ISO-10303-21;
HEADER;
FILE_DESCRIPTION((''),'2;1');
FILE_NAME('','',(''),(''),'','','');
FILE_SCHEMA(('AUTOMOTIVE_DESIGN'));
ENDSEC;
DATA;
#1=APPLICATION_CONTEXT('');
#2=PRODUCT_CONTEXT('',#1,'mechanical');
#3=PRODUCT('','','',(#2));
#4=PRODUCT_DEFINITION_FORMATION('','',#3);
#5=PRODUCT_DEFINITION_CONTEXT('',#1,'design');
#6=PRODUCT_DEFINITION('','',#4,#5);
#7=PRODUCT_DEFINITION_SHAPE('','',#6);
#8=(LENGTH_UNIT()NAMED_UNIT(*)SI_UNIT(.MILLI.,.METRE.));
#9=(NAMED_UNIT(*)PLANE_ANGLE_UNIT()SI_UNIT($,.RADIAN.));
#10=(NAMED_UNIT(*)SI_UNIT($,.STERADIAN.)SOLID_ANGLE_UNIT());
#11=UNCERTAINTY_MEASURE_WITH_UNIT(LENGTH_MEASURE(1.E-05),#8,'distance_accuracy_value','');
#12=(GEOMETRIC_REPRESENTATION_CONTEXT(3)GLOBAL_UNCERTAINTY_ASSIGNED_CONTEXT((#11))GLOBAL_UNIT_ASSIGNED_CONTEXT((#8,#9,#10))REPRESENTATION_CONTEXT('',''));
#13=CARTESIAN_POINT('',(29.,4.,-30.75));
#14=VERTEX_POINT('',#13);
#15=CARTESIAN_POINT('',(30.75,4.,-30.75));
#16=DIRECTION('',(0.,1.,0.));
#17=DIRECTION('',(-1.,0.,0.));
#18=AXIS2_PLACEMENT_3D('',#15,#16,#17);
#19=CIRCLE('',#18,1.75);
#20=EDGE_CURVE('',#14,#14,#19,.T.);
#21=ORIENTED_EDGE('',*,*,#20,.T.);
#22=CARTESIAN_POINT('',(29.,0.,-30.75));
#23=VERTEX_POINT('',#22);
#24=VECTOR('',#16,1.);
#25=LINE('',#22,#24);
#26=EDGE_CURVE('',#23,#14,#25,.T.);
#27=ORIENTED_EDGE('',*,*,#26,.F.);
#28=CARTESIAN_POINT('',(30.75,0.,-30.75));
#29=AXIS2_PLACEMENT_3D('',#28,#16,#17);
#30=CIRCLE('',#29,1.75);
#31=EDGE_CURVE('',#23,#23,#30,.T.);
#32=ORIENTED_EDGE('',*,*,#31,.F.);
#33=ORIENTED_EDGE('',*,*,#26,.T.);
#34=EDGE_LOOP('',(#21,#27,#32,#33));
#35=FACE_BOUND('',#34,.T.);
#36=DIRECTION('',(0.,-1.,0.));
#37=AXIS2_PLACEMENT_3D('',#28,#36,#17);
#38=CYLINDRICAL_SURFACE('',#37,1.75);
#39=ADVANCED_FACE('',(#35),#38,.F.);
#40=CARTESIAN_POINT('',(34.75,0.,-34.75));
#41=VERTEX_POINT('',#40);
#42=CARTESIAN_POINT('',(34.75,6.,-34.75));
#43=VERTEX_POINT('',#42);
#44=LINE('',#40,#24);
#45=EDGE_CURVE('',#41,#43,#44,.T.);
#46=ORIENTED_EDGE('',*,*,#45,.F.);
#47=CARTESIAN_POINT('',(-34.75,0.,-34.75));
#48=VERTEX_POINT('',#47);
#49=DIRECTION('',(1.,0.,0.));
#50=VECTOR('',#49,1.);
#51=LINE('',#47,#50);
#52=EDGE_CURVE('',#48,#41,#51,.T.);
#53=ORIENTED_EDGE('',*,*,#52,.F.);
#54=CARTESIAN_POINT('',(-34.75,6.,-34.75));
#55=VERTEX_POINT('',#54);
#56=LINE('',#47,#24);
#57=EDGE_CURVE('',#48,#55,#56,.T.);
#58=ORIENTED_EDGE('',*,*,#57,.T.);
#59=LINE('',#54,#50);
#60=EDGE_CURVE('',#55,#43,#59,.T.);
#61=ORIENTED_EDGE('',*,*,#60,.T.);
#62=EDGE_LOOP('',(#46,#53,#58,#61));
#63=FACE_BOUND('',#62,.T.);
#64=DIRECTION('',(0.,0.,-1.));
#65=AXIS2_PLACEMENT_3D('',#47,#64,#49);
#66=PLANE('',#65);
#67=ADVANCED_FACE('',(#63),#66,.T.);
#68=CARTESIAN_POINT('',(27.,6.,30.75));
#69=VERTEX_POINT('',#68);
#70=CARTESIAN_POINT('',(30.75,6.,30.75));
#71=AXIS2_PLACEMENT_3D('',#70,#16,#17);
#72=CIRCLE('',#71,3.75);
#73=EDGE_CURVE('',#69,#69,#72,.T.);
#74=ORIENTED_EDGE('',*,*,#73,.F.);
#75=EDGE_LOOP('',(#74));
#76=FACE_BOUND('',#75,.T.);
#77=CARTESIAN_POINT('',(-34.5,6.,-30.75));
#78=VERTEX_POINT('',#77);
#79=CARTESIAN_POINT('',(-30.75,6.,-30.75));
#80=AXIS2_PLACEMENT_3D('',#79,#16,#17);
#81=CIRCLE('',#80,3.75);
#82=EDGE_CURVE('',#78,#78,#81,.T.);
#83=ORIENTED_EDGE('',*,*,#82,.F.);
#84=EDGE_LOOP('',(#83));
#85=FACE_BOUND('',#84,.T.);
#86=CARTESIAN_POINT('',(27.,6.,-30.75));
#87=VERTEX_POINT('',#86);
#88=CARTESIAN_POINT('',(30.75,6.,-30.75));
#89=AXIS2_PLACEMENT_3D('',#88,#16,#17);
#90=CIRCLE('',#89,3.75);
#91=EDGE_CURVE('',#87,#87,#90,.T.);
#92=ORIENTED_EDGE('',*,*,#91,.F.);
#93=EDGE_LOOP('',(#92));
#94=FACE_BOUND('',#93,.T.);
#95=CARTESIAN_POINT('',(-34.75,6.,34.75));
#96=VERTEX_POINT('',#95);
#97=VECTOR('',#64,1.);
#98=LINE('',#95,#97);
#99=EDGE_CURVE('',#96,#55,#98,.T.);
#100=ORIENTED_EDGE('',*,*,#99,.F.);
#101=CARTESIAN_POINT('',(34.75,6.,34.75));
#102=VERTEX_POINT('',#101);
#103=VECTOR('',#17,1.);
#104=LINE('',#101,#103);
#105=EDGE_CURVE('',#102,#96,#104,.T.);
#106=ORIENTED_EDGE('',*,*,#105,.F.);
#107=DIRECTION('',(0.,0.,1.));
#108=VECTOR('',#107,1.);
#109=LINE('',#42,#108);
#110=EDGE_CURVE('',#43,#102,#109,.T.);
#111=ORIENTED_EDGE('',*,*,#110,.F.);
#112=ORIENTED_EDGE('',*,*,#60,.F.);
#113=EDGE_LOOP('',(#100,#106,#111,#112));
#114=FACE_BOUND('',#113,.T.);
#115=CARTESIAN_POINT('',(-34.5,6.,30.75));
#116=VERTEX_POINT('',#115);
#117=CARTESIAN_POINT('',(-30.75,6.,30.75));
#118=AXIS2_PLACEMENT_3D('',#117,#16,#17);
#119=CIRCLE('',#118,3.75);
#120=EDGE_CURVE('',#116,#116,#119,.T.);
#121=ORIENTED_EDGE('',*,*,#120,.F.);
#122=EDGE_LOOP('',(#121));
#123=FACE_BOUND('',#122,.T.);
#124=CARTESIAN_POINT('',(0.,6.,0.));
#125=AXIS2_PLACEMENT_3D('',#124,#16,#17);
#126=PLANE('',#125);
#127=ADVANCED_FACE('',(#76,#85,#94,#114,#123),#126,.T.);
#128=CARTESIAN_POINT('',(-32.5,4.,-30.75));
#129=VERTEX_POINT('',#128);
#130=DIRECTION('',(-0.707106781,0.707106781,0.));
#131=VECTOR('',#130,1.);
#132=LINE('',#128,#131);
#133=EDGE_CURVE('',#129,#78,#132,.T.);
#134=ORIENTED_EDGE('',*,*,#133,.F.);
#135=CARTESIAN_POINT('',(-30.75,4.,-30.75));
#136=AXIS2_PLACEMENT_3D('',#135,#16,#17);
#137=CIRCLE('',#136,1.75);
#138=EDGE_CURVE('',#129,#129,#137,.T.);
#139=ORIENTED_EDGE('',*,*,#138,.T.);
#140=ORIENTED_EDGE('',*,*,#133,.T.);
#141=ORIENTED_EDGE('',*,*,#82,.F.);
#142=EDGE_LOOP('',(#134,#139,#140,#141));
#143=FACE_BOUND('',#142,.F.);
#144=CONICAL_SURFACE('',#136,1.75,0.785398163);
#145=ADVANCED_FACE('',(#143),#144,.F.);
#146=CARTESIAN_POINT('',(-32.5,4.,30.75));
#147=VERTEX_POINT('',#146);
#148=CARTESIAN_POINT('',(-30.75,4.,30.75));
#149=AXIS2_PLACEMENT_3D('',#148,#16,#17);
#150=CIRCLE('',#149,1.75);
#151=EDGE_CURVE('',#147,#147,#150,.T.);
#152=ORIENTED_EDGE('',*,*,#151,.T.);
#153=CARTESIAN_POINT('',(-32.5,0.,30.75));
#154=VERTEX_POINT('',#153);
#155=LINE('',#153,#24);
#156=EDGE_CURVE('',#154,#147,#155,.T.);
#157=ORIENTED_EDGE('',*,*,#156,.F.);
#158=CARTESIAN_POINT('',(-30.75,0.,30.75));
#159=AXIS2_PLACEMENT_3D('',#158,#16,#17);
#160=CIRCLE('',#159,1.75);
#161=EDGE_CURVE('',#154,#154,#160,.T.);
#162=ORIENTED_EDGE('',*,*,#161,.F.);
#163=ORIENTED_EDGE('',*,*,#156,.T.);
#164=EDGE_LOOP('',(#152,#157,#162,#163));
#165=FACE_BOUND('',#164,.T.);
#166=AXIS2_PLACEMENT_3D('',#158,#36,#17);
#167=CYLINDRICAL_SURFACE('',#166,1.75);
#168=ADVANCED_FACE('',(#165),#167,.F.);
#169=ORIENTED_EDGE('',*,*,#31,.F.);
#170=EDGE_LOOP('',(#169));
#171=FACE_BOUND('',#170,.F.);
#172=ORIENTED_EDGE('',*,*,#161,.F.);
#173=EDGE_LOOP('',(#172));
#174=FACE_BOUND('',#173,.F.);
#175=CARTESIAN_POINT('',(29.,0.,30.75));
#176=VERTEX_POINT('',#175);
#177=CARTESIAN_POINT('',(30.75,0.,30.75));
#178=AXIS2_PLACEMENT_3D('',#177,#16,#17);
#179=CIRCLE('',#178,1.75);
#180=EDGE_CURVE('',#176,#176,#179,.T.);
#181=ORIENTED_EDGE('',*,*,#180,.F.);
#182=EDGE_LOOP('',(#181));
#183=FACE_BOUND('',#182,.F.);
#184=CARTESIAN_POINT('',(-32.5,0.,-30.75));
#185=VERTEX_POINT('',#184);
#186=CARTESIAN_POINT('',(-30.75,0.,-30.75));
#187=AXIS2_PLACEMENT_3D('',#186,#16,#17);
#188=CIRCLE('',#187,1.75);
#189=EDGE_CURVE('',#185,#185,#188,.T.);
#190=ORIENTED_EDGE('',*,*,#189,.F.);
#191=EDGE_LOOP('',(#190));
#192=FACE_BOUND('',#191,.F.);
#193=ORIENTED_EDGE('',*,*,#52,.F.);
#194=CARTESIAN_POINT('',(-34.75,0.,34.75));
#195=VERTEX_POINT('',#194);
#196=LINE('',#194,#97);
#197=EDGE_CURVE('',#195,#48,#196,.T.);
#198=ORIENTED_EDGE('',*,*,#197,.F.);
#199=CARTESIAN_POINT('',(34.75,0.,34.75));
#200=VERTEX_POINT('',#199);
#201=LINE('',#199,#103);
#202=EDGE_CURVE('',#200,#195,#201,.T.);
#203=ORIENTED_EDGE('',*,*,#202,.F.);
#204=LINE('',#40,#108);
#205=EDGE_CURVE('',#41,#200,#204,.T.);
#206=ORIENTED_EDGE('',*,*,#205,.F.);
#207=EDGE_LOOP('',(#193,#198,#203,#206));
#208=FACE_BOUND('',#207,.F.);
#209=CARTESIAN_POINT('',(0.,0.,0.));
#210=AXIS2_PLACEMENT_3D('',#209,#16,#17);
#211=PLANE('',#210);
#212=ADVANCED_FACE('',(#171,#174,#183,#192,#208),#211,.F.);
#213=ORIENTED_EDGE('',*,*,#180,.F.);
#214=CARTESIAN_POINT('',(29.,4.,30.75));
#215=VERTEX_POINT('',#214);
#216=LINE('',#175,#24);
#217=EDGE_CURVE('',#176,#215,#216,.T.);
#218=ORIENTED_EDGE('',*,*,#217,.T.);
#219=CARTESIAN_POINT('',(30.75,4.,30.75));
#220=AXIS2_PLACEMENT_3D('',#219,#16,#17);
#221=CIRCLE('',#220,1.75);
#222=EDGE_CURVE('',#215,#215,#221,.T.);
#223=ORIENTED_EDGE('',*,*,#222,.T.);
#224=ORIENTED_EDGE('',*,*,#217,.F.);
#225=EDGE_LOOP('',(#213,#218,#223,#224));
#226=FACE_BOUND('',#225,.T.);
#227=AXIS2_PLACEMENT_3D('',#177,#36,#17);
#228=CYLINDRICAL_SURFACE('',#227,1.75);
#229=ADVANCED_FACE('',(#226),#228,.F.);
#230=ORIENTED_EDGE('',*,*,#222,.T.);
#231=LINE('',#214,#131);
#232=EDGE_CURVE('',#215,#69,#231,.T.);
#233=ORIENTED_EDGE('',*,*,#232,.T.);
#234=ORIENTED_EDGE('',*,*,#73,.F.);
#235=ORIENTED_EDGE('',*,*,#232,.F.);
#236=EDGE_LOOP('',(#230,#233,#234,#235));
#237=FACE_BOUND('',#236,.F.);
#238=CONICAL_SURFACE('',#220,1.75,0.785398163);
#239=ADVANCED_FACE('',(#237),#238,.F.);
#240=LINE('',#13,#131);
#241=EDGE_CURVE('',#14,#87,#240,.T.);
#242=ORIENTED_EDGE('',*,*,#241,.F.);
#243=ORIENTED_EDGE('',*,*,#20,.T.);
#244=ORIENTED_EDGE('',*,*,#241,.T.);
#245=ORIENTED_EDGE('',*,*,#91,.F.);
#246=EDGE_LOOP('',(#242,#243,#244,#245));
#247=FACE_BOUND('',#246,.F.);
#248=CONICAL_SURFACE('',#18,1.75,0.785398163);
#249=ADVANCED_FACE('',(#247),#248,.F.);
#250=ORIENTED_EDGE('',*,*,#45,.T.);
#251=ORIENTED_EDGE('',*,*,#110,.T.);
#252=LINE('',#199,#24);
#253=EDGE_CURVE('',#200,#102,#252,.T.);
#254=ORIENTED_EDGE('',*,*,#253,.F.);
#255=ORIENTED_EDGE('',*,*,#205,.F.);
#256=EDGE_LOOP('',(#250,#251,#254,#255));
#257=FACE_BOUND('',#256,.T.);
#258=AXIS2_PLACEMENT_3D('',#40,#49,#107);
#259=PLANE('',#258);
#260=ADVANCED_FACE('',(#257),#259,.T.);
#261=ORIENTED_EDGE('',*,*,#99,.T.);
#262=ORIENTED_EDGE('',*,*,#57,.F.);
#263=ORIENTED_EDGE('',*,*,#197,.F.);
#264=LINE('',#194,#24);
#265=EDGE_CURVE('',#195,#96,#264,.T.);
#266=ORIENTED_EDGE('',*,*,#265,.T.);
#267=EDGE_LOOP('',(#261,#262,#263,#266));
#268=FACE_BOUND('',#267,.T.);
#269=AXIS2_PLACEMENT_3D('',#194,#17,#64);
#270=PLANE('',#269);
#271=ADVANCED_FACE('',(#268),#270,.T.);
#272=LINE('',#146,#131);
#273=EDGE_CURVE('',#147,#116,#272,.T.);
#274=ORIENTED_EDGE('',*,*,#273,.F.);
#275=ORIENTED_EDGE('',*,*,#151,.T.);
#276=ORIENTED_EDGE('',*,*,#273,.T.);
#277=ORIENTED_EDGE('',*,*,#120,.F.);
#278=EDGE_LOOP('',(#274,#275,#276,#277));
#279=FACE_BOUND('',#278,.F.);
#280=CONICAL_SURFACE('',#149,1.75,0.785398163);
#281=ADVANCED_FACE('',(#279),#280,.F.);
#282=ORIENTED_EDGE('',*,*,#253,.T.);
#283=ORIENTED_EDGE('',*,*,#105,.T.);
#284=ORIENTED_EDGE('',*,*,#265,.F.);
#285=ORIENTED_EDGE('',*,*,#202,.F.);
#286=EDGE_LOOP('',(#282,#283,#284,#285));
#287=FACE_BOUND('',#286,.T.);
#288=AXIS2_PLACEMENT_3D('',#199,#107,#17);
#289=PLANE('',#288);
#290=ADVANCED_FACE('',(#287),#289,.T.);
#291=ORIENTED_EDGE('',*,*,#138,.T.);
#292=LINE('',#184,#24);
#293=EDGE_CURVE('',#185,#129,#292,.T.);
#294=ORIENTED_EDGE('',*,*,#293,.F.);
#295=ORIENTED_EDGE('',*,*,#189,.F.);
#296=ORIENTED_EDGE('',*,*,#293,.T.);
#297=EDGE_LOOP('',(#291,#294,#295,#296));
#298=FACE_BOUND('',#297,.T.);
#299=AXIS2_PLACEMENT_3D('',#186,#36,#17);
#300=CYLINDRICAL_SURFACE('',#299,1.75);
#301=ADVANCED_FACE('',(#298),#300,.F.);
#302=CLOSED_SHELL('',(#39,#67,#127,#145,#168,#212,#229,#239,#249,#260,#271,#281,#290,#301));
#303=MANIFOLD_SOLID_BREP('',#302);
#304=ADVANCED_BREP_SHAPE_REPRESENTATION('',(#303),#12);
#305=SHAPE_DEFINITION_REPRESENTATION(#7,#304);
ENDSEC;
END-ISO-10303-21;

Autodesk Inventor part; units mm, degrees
ref_plane "YZ Plane" through (0, 0, 0) normal (1, 0, 0) x (0, 1, 0)
ref_plane "XZ Plane" through (0, 0, 0) normal (0, 1, 0) x (-1, 0, 0)
ref_plane "XY Plane" through (0, 0, 0) normal (0, 0, 1) x (1, 0, 0)
sketch "Sketch1" plane through (0, 0, 0) normal (0, 1, 0) x (-1, 0, 0)
  line L0 (34.75, -34.75) -> (-34.75, -34.75)
  line L1 (-34.75, -34.75) -> (-34.75, 34.75)
  line L2 (-34.75, 34.75) -> (34.75, 34.75)
  line L3 (34.75, 34.75) -> (34.75, -34.75)
  line L4 (34.75, -34.75) -> (-34.75, 34.75) construction
  line L5 (-34.75, -34.75) -> (34.75, 34.75) construction
  circle A0 centre (30.75, 30.75) radius 1.75
  circle A1 centre (30.75, -30.75) radius 1.75
  circle A2 centre (-30.75, 30.75) radius 1.75
  circle A3 centre (-30.75, -30.75) radius 1.75
  point P0 (0, 0)
  dimension "d0" = 69.5
  dimension "d1" = 69.5
  dimension "d2" = 3.5
  dimension "d3" = 4
  dimension "d4" = 3.5
  dimension "d5" = 4
  dimension "d6" = 3.5
  dimension "d7" = 3.5
  dimension "d8" = 4
  dimension "d14" = 4
extrude "Extrusion1" add sketch "Sketch1" along normal blind 6
chamfer "Chamfer1" distance 2 angle 45 4 edges at (-29, 6, 30.75) (-29, 6, -30.75) (32.5, 6, 30.75) (32.5, 6, -30.75)
equation "\"d1\" = d0"
equation "\"d4\" = d2"
equation "\"d5\" = d3"
equation "\"d6\" = d2"
equation "\"d7\" = d2"
equation "\"d8\" = d3"
equation "\"d14\" = d3"
properties part number "Modulo"
